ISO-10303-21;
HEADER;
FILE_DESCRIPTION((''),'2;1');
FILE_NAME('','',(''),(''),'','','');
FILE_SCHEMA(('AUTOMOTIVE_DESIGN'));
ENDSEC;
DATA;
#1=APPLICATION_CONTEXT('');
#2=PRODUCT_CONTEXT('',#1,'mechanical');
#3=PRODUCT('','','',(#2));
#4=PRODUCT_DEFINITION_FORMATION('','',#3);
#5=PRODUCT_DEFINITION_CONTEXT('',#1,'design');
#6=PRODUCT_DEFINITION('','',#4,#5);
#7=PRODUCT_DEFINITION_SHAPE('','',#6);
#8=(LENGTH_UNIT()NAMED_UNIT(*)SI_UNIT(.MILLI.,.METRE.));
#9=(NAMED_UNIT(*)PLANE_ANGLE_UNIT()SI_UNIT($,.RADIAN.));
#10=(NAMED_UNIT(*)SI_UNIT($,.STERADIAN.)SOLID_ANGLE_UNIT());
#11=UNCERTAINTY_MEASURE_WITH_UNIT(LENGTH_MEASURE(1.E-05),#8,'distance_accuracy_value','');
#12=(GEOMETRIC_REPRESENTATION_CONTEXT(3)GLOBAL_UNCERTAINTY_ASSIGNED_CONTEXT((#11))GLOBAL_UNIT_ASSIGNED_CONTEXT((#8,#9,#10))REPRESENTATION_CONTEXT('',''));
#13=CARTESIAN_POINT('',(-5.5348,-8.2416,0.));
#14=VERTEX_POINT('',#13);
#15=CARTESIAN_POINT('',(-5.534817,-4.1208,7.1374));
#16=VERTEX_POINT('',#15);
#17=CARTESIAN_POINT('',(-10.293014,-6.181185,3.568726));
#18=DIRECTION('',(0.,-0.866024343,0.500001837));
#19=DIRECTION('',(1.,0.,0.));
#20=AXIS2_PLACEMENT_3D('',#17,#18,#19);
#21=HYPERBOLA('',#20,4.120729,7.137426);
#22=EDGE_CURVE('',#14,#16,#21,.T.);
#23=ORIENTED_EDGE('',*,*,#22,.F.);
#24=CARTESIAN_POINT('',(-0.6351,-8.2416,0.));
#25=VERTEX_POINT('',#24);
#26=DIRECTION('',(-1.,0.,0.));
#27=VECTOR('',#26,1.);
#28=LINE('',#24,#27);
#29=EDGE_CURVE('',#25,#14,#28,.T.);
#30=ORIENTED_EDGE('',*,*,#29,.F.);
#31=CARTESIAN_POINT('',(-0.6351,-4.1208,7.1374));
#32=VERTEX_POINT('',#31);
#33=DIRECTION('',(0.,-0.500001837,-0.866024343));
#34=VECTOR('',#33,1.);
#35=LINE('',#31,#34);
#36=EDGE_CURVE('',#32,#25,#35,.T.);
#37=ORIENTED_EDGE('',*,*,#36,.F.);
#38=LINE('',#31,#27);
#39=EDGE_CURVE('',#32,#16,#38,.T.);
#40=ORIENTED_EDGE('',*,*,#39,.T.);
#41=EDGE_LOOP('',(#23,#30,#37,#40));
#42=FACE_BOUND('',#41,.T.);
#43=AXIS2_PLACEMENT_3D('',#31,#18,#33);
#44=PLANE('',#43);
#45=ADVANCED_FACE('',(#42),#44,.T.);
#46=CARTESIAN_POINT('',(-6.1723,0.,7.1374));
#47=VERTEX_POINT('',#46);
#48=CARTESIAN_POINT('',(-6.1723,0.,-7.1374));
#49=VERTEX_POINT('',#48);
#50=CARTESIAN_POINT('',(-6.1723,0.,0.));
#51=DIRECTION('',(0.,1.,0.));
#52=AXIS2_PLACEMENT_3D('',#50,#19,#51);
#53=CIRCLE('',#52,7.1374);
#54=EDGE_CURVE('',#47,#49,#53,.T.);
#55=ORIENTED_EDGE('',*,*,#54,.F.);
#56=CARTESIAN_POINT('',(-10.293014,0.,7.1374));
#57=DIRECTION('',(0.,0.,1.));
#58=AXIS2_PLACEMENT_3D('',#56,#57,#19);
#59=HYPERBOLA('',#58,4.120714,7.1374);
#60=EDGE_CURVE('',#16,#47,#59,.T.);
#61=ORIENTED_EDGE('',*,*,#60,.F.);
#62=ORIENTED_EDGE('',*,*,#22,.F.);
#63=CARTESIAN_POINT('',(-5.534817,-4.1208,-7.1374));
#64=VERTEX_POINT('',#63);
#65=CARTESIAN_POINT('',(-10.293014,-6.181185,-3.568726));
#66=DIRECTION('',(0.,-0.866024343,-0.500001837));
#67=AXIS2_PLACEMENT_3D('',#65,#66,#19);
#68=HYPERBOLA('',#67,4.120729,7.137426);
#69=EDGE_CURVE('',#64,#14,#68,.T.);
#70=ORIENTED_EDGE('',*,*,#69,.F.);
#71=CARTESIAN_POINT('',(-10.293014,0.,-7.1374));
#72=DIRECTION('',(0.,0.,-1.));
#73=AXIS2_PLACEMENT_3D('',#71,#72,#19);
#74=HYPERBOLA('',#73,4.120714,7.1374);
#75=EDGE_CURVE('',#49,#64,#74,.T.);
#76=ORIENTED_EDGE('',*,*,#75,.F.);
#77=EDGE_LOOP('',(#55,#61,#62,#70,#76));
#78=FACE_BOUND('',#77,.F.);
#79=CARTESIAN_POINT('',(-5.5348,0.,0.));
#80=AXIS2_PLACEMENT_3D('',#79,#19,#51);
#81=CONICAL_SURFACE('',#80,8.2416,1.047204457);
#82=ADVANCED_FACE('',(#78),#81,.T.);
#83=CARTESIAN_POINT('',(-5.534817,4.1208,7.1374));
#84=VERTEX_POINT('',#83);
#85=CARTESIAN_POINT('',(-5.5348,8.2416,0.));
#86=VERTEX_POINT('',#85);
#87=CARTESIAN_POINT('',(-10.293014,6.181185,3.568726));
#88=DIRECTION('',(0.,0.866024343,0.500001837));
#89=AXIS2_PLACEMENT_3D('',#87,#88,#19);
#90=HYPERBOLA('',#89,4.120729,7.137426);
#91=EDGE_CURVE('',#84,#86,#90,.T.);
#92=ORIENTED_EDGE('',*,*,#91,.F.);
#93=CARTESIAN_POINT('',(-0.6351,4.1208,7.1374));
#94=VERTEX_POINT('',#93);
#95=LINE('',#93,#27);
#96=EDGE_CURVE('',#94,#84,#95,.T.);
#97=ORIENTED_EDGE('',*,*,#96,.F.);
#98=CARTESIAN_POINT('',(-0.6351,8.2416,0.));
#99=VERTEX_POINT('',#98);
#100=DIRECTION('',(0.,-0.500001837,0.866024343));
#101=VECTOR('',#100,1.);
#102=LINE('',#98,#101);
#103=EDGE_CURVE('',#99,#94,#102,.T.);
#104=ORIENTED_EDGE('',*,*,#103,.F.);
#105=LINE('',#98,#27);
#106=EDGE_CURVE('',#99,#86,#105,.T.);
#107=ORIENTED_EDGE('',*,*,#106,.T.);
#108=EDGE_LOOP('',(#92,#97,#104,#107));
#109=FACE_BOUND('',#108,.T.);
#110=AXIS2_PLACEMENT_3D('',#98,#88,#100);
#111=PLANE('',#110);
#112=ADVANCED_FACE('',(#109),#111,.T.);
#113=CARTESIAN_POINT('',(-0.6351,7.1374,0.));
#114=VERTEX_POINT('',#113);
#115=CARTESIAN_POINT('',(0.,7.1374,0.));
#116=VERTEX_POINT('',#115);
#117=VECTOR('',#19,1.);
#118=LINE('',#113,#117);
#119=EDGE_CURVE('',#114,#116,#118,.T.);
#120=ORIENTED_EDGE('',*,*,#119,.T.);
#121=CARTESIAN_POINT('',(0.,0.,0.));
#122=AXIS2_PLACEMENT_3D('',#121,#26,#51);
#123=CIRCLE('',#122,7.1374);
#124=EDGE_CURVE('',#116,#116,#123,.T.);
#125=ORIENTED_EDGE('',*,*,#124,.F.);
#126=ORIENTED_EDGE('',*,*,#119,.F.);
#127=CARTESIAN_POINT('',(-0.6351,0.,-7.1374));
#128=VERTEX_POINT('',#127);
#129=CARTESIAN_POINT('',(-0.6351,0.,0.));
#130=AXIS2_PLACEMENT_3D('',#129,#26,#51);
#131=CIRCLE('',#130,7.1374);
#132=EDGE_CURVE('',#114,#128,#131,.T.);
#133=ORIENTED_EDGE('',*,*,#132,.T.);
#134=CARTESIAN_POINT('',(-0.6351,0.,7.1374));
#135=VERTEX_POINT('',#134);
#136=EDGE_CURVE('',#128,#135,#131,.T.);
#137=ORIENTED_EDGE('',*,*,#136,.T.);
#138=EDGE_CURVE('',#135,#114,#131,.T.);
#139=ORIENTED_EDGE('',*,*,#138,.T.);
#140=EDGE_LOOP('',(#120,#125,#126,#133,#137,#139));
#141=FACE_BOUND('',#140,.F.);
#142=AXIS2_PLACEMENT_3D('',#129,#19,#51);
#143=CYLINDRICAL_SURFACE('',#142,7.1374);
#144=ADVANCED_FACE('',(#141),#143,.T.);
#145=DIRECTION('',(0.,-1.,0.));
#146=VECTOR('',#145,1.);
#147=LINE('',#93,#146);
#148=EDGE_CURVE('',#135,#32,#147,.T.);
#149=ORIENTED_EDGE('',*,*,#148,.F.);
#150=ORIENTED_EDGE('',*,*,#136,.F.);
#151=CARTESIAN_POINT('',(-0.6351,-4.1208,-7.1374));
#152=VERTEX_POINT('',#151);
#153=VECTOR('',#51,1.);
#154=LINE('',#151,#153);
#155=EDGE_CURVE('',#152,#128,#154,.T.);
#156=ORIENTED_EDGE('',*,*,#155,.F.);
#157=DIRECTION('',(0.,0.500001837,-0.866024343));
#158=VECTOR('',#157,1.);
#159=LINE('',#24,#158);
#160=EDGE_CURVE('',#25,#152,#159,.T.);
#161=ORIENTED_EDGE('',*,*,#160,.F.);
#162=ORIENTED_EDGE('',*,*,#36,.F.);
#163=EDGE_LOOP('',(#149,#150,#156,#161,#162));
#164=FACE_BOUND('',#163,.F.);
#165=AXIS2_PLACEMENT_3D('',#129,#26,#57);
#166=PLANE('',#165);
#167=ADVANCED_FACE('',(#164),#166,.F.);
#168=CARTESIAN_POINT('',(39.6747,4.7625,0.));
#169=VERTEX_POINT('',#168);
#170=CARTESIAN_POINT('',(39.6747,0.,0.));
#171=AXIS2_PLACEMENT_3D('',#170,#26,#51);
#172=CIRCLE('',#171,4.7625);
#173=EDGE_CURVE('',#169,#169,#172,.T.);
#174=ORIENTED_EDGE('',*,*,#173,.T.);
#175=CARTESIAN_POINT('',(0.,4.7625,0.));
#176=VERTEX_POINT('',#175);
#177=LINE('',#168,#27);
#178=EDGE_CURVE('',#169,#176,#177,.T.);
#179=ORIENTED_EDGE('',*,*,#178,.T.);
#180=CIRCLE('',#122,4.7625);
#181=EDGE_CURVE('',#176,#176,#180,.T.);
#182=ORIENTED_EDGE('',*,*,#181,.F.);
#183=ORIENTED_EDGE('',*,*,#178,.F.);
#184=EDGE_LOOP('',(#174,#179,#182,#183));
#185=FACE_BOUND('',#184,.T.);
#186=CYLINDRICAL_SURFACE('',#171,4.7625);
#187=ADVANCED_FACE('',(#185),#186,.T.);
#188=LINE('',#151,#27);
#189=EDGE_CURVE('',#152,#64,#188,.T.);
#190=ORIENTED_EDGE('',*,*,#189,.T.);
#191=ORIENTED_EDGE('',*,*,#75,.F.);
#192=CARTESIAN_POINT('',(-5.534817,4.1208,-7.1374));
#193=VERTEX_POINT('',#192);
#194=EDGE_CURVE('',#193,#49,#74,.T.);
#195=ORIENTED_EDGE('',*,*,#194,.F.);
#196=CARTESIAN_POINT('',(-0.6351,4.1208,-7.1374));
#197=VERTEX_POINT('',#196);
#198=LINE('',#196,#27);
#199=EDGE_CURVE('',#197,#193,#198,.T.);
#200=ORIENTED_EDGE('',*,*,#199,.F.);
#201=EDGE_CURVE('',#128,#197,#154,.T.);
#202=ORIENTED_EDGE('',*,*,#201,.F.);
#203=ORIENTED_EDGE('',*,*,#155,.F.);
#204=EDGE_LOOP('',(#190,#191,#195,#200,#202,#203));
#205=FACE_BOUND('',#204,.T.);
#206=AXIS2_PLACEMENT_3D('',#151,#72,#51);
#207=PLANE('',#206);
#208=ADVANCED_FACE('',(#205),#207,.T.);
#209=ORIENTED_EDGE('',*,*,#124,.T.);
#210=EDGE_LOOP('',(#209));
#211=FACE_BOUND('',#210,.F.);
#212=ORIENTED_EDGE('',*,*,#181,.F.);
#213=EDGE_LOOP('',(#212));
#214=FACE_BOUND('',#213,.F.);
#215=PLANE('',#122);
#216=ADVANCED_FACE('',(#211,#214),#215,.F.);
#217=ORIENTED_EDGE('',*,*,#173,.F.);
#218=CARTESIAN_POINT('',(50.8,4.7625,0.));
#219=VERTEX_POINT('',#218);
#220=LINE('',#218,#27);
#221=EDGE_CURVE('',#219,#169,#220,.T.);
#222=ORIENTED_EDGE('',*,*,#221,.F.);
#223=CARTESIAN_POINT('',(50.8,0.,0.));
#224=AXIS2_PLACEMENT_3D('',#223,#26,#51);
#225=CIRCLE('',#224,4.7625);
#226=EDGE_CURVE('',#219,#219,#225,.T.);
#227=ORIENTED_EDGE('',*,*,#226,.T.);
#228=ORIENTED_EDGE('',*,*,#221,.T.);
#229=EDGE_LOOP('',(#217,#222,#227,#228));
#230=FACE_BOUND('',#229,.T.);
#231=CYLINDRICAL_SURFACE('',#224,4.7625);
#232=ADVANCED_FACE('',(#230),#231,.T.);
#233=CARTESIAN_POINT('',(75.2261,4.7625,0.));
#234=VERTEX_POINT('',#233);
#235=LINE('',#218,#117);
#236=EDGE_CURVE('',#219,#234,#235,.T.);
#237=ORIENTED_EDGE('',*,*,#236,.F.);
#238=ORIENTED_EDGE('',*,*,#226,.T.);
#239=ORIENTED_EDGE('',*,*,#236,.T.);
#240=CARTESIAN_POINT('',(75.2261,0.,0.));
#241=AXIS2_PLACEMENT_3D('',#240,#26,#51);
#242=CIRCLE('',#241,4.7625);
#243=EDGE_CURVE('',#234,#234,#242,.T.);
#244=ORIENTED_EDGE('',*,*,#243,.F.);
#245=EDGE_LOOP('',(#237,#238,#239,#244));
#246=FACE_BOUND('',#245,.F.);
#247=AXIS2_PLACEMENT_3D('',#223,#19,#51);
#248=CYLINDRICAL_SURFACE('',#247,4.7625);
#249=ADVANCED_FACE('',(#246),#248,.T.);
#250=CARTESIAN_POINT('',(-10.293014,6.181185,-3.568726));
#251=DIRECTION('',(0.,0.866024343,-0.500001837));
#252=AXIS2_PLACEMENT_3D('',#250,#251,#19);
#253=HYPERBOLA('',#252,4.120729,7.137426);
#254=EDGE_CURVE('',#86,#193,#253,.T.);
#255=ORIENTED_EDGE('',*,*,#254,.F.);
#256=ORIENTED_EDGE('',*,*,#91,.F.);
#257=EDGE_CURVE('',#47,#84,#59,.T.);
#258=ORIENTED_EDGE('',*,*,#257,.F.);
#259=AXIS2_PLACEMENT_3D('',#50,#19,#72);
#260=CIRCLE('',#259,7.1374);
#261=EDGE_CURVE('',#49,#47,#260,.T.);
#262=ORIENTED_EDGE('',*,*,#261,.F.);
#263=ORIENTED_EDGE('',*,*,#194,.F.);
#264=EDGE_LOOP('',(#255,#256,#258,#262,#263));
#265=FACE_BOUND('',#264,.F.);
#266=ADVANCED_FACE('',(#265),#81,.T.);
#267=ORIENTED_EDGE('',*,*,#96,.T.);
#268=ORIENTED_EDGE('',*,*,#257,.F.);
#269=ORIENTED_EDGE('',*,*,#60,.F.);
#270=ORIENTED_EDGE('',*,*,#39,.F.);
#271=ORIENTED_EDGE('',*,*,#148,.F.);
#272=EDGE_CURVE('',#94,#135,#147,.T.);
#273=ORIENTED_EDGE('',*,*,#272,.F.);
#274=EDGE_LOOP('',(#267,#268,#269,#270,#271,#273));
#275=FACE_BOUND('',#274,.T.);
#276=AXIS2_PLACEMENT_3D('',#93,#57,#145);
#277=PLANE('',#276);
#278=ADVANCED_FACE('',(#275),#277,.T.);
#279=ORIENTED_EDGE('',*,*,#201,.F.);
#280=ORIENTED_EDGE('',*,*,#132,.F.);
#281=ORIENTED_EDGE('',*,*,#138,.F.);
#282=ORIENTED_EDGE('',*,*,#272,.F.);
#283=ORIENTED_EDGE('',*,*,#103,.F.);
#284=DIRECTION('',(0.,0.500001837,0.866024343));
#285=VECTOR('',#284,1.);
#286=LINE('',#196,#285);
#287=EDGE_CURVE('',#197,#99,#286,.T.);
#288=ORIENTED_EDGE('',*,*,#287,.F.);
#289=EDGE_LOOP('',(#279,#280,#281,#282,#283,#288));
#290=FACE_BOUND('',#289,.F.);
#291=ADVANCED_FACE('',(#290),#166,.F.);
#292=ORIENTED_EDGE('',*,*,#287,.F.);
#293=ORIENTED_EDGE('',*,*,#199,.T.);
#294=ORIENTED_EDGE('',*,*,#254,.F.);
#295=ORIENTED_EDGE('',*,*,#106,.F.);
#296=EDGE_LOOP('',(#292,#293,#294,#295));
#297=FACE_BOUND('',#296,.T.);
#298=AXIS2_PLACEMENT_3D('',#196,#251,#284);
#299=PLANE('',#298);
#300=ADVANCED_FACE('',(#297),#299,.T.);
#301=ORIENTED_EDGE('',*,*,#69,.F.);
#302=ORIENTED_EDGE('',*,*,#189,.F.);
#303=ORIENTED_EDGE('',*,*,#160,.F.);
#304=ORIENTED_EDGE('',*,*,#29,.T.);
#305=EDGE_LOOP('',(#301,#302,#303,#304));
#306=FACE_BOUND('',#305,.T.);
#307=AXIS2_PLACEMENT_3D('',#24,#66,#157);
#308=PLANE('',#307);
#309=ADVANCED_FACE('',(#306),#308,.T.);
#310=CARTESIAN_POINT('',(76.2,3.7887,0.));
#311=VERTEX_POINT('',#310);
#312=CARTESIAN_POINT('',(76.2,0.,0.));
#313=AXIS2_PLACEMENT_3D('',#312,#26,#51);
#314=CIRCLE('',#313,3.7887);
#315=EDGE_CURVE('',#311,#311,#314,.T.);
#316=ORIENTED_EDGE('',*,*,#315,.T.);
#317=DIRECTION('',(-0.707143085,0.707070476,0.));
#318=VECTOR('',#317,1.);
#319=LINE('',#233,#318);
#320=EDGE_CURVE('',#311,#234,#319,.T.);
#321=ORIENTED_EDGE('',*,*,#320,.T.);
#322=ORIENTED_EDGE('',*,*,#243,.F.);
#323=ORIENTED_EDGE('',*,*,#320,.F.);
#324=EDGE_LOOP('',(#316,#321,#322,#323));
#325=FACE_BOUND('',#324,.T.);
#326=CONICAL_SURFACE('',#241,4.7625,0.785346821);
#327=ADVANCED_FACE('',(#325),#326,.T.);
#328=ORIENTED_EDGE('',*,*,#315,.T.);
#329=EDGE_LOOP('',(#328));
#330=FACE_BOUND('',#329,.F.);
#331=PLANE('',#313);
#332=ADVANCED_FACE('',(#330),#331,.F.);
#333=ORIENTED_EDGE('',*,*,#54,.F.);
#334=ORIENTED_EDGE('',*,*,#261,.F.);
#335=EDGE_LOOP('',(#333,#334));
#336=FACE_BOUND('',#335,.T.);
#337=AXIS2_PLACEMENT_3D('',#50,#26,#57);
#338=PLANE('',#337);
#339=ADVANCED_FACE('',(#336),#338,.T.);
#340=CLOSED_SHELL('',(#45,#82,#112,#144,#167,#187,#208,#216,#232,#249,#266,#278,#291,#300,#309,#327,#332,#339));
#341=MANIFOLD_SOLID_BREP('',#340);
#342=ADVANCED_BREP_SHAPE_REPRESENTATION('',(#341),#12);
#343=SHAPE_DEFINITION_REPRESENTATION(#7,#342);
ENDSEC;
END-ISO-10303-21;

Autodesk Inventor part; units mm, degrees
ref_plane "YZ Plane" through (0, 0, 0) normal (1, 0, 0) x (0, 1, 0)
ref_plane "XZ Plane" through (0, 0, 0) normal (0, 1, 0) x (-1, 0, 0)
sketch "Sketch1" plane through (0, 0, 0) normal (0, 0, 1) x (1, 0, 0)
  line L0 (0, 7.1374) -> (0, 4.7625)
  line L1 (50.8, 4.7625) -> (76.2, 4.7625)
  line L2 (76.2, 4.7625) -> (76.2, 0)
  line L3 (76.2, 0) -> (-0.6351, 0)
  line L4 (-16.0021, 0) -> (91.567, 0) projected
  line L5 (-0.6351, 0) -> (-0.6351, 7.1374)
  line L6 (-0.6351, 7.1374) -> (0, 7.1374)
  line L7 (50.8, 4.7625) -> (39.6747, 4.7625)
  line L8 (39.6747, 4.7625) -> (0, 4.7625)
  line L9 (0, -1.4275) -> (0, 8.5649) projected
  dimension "d0" = 76.2
  dimension "d1" = 25.4
  dimension "d2" = 9.525
  dimension "d9" = 0.6351
  dimension "d10" = 14.2748
  dimension "d13" = 11.1253
  dimension "d14" = 9.525
revolve "Body" add sketch "Sketch1" angle 360 about axis through (76.2, 0, 0) along (-1, 0, 0)
sketch "Sketch2" plane through (-0.6351, 0, 0) normal (-1, 0, 0) x (0, 0, 1)
  line L0 (0, 8.2416) -> (7.1374, 4.1208)
  line L1 (7.1374, 4.1208) -> (7.1374, -4.1208)
  line L2 (7.1374, -4.1208) -> (0, -8.2416)
  line L3 (0, -8.2416) -> (-7.1374, -4.1208)
  line L4 (-7.1374, -4.1208) -> (-7.1374, 4.1208)
  line L5 (-7.1374, 4.1208) -> (0, 8.2416)
  point P0 (0, 0)
  point P1 (0, 0)
  dimension "d11" = 14.2748
extrude "Head" add sketch "Sketch2" along normal blind 5.5372
sketch "Sketch4" plane through (0, 0, 0) normal (0, 0, 1) x (1, 0, 0)
  line L0 (-6.1723, 7.1374) -> (-6.1723, 8.2416)
  line L1 (-6.1723, 8.2416) -> (-5.5348, 8.2416)
  line L2 (-5.5348, 8.2416) -> (-6.1723, 7.1374)
  line L3 (-7.2797, 0) -> (0.4723, 0) projected
  line L4 (-0.6351, 8.2416) -> (-6.1723, 8.2416) projected
  line L5 (-6.1723, 4.1208) -> (-6.1723, 8.2416) projected
  dimension "d5" = 30
  dimension "d19" = 14.2748
revolve "Chamfer1" cut sketch "Sketch4" angle 360 about axis through (-10, 0, 0) along (1, 0, 0)
thread "Thread" size "3/8-16 UNC" class "2A" standard "ANSI Unified Screw Threads" length 25.4
chamfer "Chamfer2" distance 0.9738 distance2 0.9739 1 edges at (76.2, -4.7625, 0) measured on face at (76.2, 1.3701, -0.315)
ref_plane "Work Plane1" through (1.525, 0, 0) normal (0, 0, 1) x (1, 0, 0)
equation "\"d0\" = NLG"
equation "\"d1\" = GEL"
equation "\"d2\" = GD"
equation "\"d10\" = SD2"
equation "\"d14\" = BDM"
equation "\"d11\" = SW"
equation "\"d3\" = KOH - SD"
equation "\"d5\" = ANG1"
equation "\"d19\" = SW0"
equation "\"d15\" = GEL"
equation "\"d6\" = -0.5 * SPD + 0.5 * GD"
equation "\"NLG\" = 76.2"
equation "\"GD\" = 9.525"
equation "\"BDM\" = 9.525"
equation "\"KOH\" = 6.1722"
equation "\"GEL\" = 25.4"
equation "\"SW\" = 14.2748"
equation "\"SW0\" = SW"
equation "\"SPD\" = GD1"
equation "\"SD2\" = SW"
equation "\"SD\" = 0.635"
equation "\"ANG1\" = 30deg"
equation "\"GAL\" = 11.1252"
equation "\"GUL\" = 0.97384"
equation "\"RR\" = 0.381"
equation "\"WFT\" = SD"
equation "\"GD1\" = 7.57733"
equation "\"THREADDIA\" = 9.525"
equation "\"SDH\" = SW"
equation "\"SDHG\" = 39.6748"
equation "\"TOA\" = 30deg"
equation "\"FAWI\" = 45deg"
equation "\"NND\" = 9.525"
equation "\"E0\" = 16.48739"
properties part number "AS 2465 - 3/8 x 3  UNC" material "Steel, Mild"
